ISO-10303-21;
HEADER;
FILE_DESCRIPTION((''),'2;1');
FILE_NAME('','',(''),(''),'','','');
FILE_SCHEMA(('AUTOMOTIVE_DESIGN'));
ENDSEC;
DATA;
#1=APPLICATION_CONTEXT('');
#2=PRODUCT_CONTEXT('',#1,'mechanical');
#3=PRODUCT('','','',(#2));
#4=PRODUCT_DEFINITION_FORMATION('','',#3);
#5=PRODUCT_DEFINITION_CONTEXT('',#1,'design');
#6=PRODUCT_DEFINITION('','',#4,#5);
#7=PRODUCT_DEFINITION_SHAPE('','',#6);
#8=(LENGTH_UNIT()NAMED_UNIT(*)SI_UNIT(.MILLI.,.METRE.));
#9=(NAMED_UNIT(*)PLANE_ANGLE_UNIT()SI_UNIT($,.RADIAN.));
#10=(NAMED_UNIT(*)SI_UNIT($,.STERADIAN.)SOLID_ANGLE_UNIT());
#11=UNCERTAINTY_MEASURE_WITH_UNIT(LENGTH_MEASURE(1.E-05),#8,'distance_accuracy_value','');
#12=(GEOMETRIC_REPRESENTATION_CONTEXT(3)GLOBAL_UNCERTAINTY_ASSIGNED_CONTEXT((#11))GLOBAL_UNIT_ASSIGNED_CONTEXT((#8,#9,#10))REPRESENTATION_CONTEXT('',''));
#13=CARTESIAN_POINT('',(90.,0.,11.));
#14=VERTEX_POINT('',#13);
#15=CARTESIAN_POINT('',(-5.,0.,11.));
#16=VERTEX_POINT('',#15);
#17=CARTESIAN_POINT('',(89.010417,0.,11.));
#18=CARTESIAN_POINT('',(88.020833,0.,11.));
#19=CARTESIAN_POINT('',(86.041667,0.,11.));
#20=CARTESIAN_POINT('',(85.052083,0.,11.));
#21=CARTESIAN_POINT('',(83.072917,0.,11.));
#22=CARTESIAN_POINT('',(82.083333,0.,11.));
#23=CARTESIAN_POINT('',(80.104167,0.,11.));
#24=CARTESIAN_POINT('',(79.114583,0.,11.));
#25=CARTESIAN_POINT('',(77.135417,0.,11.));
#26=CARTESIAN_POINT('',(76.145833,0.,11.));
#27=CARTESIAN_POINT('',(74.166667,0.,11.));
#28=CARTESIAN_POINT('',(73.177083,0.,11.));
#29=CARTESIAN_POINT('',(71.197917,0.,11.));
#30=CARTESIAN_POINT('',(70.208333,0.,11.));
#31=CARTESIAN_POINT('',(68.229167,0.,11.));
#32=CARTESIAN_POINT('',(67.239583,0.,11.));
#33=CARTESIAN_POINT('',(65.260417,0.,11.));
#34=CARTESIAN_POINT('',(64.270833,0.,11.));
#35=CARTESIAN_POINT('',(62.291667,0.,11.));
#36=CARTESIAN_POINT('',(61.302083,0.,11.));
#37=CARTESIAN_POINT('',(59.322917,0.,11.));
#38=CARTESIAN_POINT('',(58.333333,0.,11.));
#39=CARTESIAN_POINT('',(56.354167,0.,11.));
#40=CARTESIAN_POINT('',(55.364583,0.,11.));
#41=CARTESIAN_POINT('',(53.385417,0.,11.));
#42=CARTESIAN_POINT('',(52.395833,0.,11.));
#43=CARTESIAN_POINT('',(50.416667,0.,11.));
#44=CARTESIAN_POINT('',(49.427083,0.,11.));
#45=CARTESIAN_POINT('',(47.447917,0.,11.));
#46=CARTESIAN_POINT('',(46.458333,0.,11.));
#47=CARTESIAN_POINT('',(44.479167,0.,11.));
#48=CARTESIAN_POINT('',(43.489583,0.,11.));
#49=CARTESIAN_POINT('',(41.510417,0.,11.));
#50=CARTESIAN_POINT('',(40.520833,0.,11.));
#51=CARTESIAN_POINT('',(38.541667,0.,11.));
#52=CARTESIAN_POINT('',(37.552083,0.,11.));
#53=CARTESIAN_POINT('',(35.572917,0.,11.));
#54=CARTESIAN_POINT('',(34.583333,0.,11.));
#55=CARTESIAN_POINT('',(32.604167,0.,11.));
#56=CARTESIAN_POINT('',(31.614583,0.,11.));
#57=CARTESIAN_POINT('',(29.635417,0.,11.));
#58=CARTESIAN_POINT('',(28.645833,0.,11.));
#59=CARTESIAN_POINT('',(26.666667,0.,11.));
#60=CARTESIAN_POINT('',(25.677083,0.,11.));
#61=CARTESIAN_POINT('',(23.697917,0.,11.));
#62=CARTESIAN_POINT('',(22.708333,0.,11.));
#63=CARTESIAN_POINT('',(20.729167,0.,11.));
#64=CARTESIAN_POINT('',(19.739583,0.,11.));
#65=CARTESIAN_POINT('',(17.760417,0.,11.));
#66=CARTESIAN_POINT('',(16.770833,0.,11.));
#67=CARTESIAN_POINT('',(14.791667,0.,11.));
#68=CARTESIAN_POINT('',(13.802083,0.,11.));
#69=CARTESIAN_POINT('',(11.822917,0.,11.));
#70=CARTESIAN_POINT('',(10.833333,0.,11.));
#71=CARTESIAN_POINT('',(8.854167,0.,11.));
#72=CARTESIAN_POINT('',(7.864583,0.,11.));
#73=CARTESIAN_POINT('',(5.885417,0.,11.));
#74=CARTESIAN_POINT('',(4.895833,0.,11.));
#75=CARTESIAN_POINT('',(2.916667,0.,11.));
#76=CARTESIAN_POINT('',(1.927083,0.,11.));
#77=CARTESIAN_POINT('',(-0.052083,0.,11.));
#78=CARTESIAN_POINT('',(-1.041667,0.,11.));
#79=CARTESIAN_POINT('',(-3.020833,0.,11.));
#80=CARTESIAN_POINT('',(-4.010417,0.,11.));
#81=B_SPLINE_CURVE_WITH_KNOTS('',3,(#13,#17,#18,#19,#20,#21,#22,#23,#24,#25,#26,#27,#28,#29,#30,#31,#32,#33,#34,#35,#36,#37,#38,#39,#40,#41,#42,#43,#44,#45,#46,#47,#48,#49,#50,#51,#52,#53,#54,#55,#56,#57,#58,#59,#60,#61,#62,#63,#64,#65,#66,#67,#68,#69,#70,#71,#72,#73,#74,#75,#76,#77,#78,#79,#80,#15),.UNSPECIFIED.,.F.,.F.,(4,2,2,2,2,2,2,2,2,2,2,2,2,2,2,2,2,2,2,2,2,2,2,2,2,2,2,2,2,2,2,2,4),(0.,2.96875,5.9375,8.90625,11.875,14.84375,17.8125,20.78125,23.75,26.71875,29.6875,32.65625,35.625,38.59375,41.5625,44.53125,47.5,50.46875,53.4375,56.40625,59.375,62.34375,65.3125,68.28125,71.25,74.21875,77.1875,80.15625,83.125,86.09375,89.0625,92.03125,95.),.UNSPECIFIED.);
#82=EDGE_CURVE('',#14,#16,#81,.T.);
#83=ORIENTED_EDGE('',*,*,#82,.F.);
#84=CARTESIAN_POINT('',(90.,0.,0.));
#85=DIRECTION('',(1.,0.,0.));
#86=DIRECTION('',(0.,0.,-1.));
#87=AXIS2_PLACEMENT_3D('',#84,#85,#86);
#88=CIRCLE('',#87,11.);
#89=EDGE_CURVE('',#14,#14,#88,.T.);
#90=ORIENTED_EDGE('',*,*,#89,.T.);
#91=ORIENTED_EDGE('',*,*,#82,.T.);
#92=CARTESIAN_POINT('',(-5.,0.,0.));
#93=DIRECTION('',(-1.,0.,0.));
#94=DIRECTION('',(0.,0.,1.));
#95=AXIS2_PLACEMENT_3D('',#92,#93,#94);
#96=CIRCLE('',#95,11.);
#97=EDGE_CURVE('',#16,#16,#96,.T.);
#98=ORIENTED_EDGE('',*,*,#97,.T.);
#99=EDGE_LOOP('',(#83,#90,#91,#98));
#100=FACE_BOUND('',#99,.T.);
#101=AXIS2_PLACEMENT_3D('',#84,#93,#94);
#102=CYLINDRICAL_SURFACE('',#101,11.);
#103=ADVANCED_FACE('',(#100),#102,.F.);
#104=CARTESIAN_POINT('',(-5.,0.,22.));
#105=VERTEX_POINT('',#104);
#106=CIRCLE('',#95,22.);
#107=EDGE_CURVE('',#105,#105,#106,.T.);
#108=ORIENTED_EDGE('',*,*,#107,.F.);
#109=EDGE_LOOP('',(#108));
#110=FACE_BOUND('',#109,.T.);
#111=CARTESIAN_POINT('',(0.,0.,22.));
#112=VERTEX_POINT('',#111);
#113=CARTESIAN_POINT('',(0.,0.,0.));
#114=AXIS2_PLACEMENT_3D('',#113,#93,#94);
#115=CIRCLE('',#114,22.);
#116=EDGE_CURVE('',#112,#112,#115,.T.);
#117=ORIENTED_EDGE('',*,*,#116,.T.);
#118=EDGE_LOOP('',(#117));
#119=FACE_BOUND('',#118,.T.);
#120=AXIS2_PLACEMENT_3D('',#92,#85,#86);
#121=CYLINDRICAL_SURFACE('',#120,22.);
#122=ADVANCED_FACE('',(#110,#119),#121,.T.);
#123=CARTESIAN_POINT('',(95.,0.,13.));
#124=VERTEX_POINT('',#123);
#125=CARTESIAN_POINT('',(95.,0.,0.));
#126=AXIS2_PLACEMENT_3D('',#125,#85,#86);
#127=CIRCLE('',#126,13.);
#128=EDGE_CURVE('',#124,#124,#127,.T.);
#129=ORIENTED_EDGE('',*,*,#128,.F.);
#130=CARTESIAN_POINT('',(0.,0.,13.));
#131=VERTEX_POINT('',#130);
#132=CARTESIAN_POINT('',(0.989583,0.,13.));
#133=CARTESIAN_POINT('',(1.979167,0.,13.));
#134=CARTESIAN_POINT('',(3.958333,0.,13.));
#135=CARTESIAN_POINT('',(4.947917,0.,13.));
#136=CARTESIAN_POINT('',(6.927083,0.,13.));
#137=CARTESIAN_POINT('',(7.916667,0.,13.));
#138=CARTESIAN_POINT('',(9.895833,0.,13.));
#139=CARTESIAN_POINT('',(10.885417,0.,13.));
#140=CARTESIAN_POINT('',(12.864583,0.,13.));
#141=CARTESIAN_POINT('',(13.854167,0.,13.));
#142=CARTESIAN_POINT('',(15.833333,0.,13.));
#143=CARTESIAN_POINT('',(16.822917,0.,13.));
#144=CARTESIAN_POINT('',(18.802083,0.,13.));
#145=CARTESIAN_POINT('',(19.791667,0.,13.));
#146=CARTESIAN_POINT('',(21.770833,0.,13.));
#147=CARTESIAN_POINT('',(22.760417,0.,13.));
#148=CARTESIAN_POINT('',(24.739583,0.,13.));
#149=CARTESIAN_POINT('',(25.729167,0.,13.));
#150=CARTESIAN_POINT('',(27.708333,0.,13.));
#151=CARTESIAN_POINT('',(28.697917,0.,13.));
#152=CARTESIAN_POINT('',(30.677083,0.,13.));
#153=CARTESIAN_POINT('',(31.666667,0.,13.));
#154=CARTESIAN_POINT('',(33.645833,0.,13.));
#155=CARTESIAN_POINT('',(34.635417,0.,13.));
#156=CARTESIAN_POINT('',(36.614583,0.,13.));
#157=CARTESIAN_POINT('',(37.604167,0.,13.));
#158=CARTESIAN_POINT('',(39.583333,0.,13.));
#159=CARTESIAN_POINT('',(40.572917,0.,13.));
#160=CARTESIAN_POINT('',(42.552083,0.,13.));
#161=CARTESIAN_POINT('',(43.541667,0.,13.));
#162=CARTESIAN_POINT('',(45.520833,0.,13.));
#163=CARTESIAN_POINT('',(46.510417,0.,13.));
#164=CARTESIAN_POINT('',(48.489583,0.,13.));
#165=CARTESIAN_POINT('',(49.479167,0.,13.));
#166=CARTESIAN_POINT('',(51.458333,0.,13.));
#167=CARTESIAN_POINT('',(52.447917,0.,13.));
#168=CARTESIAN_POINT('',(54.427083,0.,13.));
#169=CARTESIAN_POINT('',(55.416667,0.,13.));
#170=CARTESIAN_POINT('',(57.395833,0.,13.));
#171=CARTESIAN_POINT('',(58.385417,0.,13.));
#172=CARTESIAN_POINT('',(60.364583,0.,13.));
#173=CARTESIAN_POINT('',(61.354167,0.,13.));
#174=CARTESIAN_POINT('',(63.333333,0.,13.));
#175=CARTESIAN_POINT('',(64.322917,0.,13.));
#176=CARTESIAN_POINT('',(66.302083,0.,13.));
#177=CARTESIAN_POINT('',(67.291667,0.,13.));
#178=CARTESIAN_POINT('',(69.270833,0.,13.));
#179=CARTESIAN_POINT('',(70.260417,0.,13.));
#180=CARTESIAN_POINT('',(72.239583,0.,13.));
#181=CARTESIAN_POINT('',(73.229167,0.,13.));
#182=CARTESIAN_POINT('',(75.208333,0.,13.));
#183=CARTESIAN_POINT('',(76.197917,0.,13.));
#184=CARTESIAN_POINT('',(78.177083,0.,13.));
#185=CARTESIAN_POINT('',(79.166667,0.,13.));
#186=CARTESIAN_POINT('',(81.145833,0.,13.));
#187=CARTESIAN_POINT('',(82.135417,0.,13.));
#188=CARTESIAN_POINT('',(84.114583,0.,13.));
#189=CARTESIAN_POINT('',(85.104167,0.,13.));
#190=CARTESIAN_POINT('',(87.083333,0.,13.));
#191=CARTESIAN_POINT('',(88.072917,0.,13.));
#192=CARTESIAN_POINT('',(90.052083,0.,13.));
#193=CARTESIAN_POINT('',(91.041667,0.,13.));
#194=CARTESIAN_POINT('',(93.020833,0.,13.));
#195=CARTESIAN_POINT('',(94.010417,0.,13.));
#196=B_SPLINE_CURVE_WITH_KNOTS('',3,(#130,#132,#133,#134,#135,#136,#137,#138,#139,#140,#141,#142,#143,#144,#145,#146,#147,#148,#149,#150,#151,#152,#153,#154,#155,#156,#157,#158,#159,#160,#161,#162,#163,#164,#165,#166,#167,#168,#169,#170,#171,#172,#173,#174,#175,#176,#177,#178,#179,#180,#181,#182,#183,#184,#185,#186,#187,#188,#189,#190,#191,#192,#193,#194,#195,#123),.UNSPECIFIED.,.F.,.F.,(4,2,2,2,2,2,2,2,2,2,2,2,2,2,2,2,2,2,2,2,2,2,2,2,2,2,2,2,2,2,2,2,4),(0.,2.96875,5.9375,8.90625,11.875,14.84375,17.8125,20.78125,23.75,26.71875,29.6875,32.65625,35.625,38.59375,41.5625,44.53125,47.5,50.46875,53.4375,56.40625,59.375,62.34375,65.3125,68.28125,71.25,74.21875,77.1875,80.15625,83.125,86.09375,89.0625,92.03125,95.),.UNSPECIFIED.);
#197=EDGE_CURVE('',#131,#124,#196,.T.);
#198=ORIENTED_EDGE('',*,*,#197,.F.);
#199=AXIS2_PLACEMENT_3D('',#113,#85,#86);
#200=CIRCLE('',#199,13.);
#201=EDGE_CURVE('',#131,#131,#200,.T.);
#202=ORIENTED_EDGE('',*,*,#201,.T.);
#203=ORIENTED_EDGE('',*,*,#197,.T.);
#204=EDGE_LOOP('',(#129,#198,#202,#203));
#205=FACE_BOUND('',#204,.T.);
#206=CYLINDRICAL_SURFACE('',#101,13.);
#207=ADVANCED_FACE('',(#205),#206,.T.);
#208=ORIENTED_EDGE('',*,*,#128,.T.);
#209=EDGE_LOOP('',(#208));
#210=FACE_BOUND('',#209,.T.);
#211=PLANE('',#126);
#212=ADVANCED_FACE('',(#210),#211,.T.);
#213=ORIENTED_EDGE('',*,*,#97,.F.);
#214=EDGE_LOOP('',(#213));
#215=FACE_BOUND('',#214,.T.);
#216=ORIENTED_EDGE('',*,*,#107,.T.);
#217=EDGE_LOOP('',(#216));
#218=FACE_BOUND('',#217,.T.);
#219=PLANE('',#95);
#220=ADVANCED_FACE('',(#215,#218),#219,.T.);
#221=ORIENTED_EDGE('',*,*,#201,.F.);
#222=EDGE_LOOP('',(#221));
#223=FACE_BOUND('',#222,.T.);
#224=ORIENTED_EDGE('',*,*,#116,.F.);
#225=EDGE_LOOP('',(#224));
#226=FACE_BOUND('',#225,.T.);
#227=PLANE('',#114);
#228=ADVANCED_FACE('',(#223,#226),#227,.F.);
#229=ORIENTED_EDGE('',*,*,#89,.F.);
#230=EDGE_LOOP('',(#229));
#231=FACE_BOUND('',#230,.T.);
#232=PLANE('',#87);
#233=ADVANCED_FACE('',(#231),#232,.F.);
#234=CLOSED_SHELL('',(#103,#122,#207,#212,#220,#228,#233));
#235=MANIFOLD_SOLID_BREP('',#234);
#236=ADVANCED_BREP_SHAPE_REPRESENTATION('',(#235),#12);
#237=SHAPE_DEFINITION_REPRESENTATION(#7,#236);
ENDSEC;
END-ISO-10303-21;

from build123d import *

# Parameters (mm, degrees)
SKETCH1_R           = 13
SKETCH1_R_2         = 11
BOSS_EXTRUDE1_DEPTH = 90
SKETCH2_R           = 13
BOSS_EXTRUDE2_DEPTH = 5
BOSS_EXTRUDE4_START = 5
SKETCH3_R           = 22
SKETCH3_R_2         = 11
BOSS_EXTRUDE4_DEPTH = 5


with BuildPart() as part:
    # Sketch1 → Boss-Extrude1 (new body)
    with BuildSketch(Plane(origin=(0, 0, 0), x_dir=(0, 0, -1), z_dir=(1, 0, 0))):
        with Locations(Location((0, 0, 0), (0, 0, 180))):
            Circle(SKETCH1_R)
        with Locations(Location((0, 0, 0), (0, 0, 180))):
            Circle(SKETCH1_R_2, mode=Mode.SUBTRACT)
    extrude(amount=BOSS_EXTRUDE1_DEPTH)

    # Sketch2 → Boss-Extrude2 (add)
    with BuildSketch(Plane(origin=(90, 0, 0), x_dir=(0, 0, -1), z_dir=(1, 0, 0))):
        with Locations(Location((0, 0, 0), (0, 0, 180))):
            Circle(SKETCH2_R)
    extrude(amount=BOSS_EXTRUDE2_DEPTH)

    # Sketch3 → Boss-Extrude4 (add)
    with BuildSketch(Plane.ZY.offset(BOSS_EXTRUDE4_START)):
        Circle(SKETCH3_R)
        Circle(SKETCH3_R_2, mode=Mode.SUBTRACT)
    extrude(amount=-BOSS_EXTRUDE4_DEPTH)


solid = part.part
